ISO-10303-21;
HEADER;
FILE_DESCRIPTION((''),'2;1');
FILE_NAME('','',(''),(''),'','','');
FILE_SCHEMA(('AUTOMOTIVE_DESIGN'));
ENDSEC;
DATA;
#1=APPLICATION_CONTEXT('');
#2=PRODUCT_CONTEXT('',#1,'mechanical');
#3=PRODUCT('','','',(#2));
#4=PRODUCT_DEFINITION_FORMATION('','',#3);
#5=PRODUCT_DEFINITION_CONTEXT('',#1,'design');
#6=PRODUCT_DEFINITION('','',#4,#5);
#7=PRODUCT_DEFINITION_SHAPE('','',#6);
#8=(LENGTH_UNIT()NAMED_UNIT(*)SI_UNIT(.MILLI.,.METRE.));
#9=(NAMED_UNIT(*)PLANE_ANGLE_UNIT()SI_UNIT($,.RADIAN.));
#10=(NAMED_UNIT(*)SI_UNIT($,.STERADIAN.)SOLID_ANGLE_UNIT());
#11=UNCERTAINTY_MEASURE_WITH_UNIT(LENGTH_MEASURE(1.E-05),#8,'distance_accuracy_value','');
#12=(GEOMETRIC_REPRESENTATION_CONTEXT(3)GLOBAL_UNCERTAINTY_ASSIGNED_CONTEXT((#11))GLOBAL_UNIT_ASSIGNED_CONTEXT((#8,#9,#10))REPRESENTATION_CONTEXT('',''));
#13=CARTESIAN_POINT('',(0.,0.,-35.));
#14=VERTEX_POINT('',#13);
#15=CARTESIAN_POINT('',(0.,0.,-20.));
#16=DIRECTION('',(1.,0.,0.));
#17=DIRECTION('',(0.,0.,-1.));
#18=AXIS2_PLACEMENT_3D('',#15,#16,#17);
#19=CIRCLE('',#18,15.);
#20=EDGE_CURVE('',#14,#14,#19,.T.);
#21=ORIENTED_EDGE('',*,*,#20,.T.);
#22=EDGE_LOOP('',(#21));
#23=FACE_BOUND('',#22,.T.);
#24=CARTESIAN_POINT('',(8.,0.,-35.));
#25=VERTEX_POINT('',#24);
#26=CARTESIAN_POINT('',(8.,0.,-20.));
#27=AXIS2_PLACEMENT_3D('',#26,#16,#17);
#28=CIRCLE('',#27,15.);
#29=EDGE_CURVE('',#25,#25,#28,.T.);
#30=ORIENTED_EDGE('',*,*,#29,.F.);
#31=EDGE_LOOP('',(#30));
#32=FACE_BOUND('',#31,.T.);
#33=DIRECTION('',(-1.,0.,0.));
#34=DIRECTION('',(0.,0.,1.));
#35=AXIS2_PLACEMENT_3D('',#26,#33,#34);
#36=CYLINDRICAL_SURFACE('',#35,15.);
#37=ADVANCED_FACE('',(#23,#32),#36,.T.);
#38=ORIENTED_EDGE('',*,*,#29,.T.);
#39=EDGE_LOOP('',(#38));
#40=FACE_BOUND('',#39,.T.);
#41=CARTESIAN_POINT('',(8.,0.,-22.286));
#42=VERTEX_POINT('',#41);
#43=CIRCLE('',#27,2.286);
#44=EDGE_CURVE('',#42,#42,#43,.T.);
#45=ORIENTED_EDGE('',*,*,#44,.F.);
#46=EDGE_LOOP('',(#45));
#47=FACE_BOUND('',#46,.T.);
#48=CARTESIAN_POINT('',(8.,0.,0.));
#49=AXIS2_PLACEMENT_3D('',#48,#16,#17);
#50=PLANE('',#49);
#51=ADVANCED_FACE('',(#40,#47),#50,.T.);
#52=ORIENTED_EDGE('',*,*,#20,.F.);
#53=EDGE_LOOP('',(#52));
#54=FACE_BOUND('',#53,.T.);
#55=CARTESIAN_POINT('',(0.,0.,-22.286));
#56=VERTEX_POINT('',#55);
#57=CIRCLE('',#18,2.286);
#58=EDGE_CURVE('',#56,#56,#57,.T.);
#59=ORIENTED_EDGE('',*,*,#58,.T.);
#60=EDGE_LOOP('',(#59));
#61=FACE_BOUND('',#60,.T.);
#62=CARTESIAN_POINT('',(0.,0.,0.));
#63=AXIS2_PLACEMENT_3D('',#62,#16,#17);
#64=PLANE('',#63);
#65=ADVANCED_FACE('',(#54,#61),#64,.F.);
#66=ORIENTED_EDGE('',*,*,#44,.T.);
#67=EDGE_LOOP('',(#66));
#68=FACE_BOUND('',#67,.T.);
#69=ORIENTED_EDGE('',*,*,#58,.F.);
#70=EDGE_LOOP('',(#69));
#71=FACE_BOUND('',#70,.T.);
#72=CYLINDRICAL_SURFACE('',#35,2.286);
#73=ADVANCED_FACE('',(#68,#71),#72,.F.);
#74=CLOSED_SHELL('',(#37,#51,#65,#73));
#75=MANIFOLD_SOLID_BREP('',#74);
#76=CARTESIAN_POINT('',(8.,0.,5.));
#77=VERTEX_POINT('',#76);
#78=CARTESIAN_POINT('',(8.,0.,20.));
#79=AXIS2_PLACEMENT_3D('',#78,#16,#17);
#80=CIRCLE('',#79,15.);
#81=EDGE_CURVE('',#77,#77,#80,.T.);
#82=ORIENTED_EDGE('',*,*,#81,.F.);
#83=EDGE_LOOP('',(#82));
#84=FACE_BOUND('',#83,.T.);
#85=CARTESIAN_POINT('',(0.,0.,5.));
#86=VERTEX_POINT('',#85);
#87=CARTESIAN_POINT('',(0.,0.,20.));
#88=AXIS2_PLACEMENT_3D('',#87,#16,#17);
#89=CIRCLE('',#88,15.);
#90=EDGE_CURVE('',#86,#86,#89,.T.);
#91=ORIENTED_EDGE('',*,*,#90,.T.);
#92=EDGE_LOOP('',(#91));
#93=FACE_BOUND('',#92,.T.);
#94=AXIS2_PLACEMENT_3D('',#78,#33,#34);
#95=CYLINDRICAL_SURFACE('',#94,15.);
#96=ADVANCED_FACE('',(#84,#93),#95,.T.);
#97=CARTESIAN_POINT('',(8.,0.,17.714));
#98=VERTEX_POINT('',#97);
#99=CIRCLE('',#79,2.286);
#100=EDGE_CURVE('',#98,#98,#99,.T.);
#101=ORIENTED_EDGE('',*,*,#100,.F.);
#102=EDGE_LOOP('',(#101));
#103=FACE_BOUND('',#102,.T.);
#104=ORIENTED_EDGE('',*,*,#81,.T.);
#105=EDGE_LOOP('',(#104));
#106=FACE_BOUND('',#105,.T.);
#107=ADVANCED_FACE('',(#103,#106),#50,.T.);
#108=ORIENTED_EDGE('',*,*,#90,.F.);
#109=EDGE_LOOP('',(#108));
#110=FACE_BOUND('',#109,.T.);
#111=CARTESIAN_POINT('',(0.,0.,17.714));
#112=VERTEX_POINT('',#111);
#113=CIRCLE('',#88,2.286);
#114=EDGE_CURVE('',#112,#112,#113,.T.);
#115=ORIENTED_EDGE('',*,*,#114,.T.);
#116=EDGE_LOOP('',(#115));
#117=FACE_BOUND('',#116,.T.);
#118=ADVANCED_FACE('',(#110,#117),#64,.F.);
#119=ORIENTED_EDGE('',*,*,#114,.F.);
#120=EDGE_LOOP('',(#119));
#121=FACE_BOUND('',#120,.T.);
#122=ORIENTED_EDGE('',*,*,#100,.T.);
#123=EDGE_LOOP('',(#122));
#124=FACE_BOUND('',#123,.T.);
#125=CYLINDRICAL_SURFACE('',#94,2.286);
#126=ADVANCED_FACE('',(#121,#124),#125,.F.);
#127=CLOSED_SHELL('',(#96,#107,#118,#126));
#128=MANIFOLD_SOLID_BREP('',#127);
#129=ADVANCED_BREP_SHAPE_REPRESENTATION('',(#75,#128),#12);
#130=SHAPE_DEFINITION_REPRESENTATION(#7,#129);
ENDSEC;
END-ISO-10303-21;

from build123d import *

# Parameters (mm, degrees)
SKETCH1_R             = 15
SKETCH1_R_2           = 2.286
BOSS_EXTRUDE2_DEPTH   = 8
BOSS_EXTRUDE2_2_DEPTH = 8


with BuildPart() as part:
    # Sketch1 → Boss-Extrude2 (new body)
    with BuildSketch(Plane(origin=(0, 0, 0), x_dir=(0, 0, -1), z_dir=(1, 0, 0))):
        with Locations((-20, 0)):
            Circle(SKETCH1_R)
        with Locations((-20, 0)):
            Circle(SKETCH1_R_2, mode=Mode.SUBTRACT)
    extrude(amount=BOSS_EXTRUDE2_DEPTH)


with BuildPart() as body_2:
    # Sketch1 → Boss-Extrude2 2 (new body)
    with BuildSketch(Plane(origin=(0, 0, 0), x_dir=(0, 0, -1), z_dir=(1, 0, 0))):
        with Locations((20, 0)):
            Circle(SKETCH1_R)
        with Locations((20, 0)):
            Circle(SKETCH1_R_2, mode=Mode.SUBTRACT)
    extrude(amount=BOSS_EXTRUDE2_2_DEPTH)


solid = Compound([part.part, body_2.part])
